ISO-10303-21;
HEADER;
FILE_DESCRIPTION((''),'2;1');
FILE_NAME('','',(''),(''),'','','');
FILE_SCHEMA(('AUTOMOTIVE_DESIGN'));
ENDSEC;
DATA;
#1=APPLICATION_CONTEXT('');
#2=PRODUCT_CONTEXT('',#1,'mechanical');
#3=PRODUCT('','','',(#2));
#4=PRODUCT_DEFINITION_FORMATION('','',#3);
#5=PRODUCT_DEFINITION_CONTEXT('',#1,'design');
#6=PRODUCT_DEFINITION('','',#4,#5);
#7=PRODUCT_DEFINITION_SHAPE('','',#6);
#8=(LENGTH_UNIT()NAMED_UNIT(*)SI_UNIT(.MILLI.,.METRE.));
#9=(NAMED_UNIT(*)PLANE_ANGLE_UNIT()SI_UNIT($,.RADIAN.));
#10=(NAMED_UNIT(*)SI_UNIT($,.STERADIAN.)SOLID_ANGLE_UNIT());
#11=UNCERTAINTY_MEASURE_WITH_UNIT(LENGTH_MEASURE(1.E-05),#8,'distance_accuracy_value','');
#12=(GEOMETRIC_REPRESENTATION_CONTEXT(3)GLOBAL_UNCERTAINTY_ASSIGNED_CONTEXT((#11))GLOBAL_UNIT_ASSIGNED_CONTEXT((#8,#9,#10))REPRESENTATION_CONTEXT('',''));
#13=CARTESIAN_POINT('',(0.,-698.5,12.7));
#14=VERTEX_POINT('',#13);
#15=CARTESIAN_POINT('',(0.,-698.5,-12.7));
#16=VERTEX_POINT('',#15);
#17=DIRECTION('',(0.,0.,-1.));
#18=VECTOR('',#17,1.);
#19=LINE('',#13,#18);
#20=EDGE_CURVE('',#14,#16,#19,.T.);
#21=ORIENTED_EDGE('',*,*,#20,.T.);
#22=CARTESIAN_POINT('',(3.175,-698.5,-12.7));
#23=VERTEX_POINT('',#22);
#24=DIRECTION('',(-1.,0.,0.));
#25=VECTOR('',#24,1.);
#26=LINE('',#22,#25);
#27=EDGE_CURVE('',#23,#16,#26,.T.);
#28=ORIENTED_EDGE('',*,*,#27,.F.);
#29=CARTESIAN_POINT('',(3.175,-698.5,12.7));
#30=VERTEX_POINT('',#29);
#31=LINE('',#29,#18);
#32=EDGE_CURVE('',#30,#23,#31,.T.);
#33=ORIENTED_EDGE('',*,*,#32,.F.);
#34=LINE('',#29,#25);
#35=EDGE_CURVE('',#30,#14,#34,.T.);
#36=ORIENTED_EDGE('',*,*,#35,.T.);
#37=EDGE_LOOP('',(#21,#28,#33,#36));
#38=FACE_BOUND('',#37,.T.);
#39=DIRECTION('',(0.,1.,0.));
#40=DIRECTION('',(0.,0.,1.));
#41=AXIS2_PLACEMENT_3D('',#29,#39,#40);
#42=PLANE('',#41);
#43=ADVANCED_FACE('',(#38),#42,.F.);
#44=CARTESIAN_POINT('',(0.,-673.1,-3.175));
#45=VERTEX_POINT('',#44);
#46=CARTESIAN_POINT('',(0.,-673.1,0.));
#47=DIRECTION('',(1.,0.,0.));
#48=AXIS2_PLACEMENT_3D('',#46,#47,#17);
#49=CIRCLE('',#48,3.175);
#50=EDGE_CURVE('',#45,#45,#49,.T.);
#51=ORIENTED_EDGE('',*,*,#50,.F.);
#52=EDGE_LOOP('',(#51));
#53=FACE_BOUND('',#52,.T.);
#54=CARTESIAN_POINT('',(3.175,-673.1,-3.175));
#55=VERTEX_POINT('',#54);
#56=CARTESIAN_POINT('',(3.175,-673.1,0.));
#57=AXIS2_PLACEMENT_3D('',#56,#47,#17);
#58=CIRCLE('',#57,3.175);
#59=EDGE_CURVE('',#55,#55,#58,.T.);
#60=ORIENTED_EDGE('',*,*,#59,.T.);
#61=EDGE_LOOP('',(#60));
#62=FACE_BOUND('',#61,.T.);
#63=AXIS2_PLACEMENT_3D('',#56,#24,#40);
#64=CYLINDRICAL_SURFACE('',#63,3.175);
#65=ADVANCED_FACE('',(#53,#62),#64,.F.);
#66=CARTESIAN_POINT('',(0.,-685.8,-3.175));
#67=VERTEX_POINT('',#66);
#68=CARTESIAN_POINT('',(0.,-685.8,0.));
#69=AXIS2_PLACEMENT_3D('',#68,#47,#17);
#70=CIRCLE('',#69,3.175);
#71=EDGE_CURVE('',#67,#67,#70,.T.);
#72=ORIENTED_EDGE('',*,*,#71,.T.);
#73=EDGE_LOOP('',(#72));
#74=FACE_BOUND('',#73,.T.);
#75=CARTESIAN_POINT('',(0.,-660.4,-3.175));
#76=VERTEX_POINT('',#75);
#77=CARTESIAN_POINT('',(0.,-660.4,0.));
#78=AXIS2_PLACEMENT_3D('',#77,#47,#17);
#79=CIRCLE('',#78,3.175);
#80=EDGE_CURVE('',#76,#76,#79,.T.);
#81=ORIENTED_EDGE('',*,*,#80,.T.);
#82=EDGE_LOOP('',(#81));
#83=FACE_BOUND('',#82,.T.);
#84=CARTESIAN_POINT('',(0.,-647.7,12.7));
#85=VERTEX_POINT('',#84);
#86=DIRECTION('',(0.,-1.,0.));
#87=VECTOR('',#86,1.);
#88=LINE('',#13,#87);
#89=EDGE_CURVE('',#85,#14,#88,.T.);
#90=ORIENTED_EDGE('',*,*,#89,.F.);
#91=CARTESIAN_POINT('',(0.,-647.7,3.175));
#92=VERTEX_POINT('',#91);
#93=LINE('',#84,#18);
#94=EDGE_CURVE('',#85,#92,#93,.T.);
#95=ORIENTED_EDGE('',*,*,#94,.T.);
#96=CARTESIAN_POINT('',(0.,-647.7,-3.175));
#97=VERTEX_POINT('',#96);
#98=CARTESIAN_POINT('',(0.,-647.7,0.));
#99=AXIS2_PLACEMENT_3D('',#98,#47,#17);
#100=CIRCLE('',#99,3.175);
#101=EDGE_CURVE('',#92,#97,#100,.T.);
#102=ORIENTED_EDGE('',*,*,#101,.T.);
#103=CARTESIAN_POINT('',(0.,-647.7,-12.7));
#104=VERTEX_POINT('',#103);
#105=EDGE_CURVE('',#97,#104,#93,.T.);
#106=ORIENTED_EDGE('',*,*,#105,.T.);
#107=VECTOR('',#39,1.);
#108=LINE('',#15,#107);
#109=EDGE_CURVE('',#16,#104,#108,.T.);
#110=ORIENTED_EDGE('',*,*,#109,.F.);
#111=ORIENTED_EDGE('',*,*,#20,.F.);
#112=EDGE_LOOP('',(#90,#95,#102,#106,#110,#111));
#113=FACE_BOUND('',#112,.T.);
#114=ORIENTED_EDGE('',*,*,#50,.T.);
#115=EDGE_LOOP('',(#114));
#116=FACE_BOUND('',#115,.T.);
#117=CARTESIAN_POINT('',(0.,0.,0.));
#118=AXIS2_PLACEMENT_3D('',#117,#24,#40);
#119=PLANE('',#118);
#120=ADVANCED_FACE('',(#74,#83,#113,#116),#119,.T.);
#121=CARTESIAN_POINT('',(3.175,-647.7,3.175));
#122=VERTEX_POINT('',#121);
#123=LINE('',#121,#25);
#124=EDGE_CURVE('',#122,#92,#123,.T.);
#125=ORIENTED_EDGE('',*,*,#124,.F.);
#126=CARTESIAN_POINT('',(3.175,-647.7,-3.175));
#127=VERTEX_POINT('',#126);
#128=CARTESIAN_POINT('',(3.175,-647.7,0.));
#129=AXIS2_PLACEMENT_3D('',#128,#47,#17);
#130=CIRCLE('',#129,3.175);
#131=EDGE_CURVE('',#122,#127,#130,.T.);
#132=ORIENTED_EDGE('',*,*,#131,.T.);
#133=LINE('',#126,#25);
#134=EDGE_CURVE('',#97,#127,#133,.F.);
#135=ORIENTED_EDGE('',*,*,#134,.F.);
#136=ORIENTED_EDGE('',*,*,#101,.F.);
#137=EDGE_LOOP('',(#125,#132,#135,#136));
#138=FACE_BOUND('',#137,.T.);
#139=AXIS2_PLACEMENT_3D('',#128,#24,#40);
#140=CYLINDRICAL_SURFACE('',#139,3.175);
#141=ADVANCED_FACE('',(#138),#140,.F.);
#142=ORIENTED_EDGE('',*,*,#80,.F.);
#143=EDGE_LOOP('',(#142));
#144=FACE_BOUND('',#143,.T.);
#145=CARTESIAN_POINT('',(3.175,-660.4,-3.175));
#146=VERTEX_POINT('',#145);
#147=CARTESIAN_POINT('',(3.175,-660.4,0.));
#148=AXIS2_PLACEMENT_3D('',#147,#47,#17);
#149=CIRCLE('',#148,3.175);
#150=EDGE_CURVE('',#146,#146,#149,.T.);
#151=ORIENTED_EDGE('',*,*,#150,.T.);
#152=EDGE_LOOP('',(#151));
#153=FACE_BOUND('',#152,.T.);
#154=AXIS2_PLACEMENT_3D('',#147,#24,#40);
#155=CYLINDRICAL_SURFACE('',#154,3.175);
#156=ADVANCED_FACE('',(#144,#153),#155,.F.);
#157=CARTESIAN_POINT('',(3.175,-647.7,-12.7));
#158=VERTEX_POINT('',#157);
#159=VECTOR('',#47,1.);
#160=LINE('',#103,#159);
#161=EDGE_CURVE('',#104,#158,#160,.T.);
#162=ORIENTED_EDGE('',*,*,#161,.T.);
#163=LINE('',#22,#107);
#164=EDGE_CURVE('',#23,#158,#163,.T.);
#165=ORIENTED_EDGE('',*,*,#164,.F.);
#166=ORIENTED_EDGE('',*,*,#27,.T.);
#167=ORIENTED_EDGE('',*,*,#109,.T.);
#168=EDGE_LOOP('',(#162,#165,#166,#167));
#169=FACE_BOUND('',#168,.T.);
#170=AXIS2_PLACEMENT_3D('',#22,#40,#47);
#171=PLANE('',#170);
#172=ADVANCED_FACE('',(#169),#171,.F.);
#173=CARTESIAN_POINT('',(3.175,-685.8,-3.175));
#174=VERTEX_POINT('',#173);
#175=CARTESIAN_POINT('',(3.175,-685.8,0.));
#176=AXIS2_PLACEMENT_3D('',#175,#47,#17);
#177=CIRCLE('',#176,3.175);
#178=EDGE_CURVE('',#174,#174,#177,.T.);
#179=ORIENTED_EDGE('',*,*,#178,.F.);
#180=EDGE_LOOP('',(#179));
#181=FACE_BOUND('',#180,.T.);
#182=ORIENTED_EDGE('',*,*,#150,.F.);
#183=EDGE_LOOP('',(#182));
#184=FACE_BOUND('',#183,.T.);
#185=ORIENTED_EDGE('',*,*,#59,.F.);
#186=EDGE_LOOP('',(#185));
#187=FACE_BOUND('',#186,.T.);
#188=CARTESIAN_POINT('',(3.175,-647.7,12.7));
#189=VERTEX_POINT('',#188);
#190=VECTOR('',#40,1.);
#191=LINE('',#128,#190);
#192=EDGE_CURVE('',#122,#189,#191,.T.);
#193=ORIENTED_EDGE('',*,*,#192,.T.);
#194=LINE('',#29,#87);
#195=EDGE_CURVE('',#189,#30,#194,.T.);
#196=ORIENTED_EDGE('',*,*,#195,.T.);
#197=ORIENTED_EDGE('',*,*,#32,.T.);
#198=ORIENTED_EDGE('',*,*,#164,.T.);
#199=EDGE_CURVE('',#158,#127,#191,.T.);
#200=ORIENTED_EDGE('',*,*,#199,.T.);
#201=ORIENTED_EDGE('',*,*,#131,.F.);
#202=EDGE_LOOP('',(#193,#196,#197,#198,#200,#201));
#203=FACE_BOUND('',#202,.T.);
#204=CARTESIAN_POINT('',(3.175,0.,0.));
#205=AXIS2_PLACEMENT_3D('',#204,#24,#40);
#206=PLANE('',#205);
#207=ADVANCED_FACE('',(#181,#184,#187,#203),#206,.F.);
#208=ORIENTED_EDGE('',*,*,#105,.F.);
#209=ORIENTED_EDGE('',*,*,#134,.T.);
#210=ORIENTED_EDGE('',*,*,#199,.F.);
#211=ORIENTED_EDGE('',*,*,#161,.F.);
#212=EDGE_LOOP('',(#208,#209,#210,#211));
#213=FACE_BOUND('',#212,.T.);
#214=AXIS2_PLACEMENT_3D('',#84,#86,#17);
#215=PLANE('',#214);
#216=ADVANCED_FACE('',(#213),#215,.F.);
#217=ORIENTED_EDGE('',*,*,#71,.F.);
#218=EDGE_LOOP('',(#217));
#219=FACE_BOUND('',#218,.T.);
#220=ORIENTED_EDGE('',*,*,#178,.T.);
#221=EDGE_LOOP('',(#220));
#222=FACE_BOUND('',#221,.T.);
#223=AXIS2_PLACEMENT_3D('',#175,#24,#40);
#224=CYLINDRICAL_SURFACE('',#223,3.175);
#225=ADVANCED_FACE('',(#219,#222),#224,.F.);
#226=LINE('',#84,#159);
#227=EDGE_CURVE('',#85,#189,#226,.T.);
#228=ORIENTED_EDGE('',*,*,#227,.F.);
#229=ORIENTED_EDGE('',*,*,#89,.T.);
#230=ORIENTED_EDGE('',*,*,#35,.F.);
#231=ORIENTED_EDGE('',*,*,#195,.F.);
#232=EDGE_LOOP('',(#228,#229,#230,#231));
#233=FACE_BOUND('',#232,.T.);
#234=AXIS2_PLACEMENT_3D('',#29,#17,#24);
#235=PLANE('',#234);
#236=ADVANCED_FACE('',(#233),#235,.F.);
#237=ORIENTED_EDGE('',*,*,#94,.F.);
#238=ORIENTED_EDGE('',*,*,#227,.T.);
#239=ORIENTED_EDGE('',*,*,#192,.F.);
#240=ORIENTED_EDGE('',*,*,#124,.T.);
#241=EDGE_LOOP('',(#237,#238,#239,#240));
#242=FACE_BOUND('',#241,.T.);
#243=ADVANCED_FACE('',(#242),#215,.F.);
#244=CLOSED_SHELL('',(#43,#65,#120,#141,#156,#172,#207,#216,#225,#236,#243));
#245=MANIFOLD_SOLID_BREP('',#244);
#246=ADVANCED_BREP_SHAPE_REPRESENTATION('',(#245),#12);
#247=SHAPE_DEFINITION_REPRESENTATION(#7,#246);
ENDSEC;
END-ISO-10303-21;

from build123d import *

# Parameters (mm, degrees)
SKETCH1_W               = 25.4
SKETCH1_H               = 1397
SKETCH1_R               = 3.175
BOSS_EXTRUDE1_DEPTH     = 3.175
CUT_EXTRUDE1_DEPTH      = 699.622659685
CUT_EXTRUDE1_DEPTH_BACK = 699.622659685
SKETCH2_W               = 25.4
SKETCH2_H               = 1346.2


with BuildPart() as part:
    # Sketch1 → Boss-Extrude1 (new body)
    with BuildSketch(Plane(origin=(0, 0, 0), x_dir=(0, 0, -1), z_dir=(1, 0, 0))):
        Rectangle(SKETCH1_W, SKETCH1_H)
        with Locations((0, -685.8)):
            Circle(SKETCH1_R, mode=Mode.SUBTRACT)
        with Locations((0, -673.1)):
            Circle(SKETCH1_R, mode=Mode.SUBTRACT)
        with Locations((0, -660.4)):
            Circle(SKETCH1_R, mode=Mode.SUBTRACT)
        with Locations((0, -647.7)):
            Circle(SKETCH1_R, mode=Mode.SUBTRACT)
        with Locations((0, -635)):
            Circle(SKETCH1_R, mode=Mode.SUBTRACT)
        with Locations((0, -622.3)):
            Circle(SKETCH1_R, mode=Mode.SUBTRACT)
        with Locations((0, -609.6)):
            Circle(SKETCH1_R, mode=Mode.SUBTRACT)
        with Locations((0, -596.9)):
            Circle(SKETCH1_R, mode=Mode.SUBTRACT)
        with Locations((0, -584.2)):
            Circle(SKETCH1_R, mode=Mode.SUBTRACT)
        with Locations((0, -571.5)):
            Circle(SKETCH1_R, mode=Mode.SUBTRACT)
        with Locations((0, -558.8)):
            Circle(SKETCH1_R, mode=Mode.SUBTRACT)
        with Locations((0, -546.1)):
            Circle(SKETCH1_R, mode=Mode.SUBTRACT)
        with Locations((0, -533.4)):
            Circle(SKETCH1_R, mode=Mode.SUBTRACT)
        with Locations((0, -520.7)):
            Circle(SKETCH1_R, mode=Mode.SUBTRACT)
        with Locations((0, -508)):
            Circle(SKETCH1_R, mode=Mode.SUBTRACT)
        with Locations((0, -495.3)):
            Circle(SKETCH1_R, mode=Mode.SUBTRACT)
        with Locations((0, -482.6)):
            Circle(SKETCH1_R, mode=Mode.SUBTRACT)
        with Locations((0, -469.9)):
            Circle(SKETCH1_R, mode=Mode.SUBTRACT)
        with Locations((0, -457.2)):
            Circle(SKETCH1_R, mode=Mode.SUBTRACT)
        with Locations((0, -444.5)):
            Circle(SKETCH1_R, mode=Mode.SUBTRACT)
        with Locations((0, -431.8)):
            Circle(SKETCH1_R, mode=Mode.SUBTRACT)
        with Locations((0, -419.1)):
            Circle(SKETCH1_R, mode=Mode.SUBTRACT)
        with Locations((0, -406.4)):
            Circle(SKETCH1_R, mode=Mode.SUBTRACT)
        with Locations((0, -393.7)):
            Circle(SKETCH1_R, mode=Mode.SUBTRACT)
        with Locations((0, -381)):
            Circle(SKETCH1_R, mode=Mode.SUBTRACT)
        with Locations((0, -368.3)):
            Circle(SKETCH1_R, mode=Mode.SUBTRACT)
        with Locations((0, -355.6)):
            Circle(SKETCH1_R, mode=Mode.SUBTRACT)
        with Locations((0, -342.9)):
            Circle(SKETCH1_R, mode=Mode.SUBTRACT)
        with Locations((0, -330.2)):
            Circle(SKETCH1_R, mode=Mode.SUBTRACT)
        with Locations((0, -317.5)):
            Circle(SKETCH1_R, mode=Mode.SUBTRACT)
        with Locations((0, -304.8)):
            Circle(SKETCH1_R, mode=Mode.SUBTRACT)
        with Locations((0, -292.1)):
            Circle(SKETCH1_R, mode=Mode.SUBTRACT)
        with Locations((0, -279.4)):
            Circle(SKETCH1_R, mode=Mode.SUBTRACT)
        with Locations((0, -266.7)):
            Circle(SKETCH1_R, mode=Mode.SUBTRACT)
        with Locations((0, -254)):
            Circle(SKETCH1_R, mode=Mode.SUBTRACT)
        with Locations((0, -241.3)):
            Circle(SKETCH1_R, mode=Mode.SUBTRACT)
        with Locations((0, -228.6)):
            Circle(SKETCH1_R, mode=Mode.SUBTRACT)
        with Locations((0, -215.9)):
            Circle(SKETCH1_R, mode=Mode.SUBTRACT)
        with Locations((0, -203.2)):
            Circle(SKETCH1_R, mode=Mode.SUBTRACT)
        with Locations((0, -190.5)):
            Circle(SKETCH1_R, mode=Mode.SUBTRACT)
        with Locations((0, -177.8)):
            Circle(SKETCH1_R, mode=Mode.SUBTRACT)
        with Locations((0, -165.1)):
            Circle(SKETCH1_R, mode=Mode.SUBTRACT)
        with Locations((0, -152.4)):
            Circle(SKETCH1_R, mode=Mode.SUBTRACT)
        with Locations((0, -139.7)):
            Circle(SKETCH1_R, mode=Mode.SUBTRACT)
        with Locations((0, -127)):
            Circle(SKETCH1_R, mode=Mode.SUBTRACT)
        with Locations((0, -114.3)):
            Circle(SKETCH1_R, mode=Mode.SUBTRACT)
        with Locations((0, -101.6)):
            Circle(SKETCH1_R, mode=Mode.SUBTRACT)
        with Locations((0, -88.9)):
            Circle(SKETCH1_R, mode=Mode.SUBTRACT)
        with Locations((0, -76.2)):
            Circle(SKETCH1_R, mode=Mode.SUBTRACT)
        with Locations((0, -63.5)):
            Circle(SKETCH1_R, mode=Mode.SUBTRACT)
        with Locations((0, -50.8)):
            Circle(SKETCH1_R, mode=Mode.SUBTRACT)
        with Locations((0, -38.1)):
            Circle(SKETCH1_R, mode=Mode.SUBTRACT)
        with Locations((0, -25.4)):
            Circle(SKETCH1_R, mode=Mode.SUBTRACT)
        with Locations((0, -12.7)):
            Circle(SKETCH1_R, mode=Mode.SUBTRACT)
        Circle(SKETCH1_R, mode=Mode.SUBTRACT)
        with Locations((0, 12.7)):
            Circle(SKETCH1_R, mode=Mode.SUBTRACT)
        with Locations((0, 25.4)):
            Circle(SKETCH1_R, mode=Mode.SUBTRACT)
        with Locations((0, 38.1)):
            Circle(SKETCH1_R, mode=Mode.SUBTRACT)
        with Locations((0, 50.8)):
            Circle(SKETCH1_R, mode=Mode.SUBTRACT)
        with Locations((0, 63.5)):
            Circle(SKETCH1_R, mode=Mode.SUBTRACT)
        with Locations((0, 76.2)):
            Circle(SKETCH1_R, mode=Mode.SUBTRACT)
        with Locations((0, 88.9)):
            Circle(SKETCH1_R, mode=Mode.SUBTRACT)
        with Locations((0, 101.6)):
            Circle(SKETCH1_R, mode=Mode.SUBTRACT)
        with Locations((0, 114.3)):
            Circle(SKETCH1_R, mode=Mode.SUBTRACT)
        with Locations((0, 127)):
            Circle(SKETCH1_R, mode=Mode.SUBTRACT)
        with Locations((0, 139.7)):
            Circle(SKETCH1_R, mode=Mode.SUBTRACT)
        with Locations((0, 152.4)):
            Circle(SKETCH1_R, mode=Mode.SUBTRACT)
        with Locations((0, 165.1)):
            Circle(SKETCH1_R, mode=Mode.SUBTRACT)
        with Locations((0, 177.8)):
            Circle(SKETCH1_R, mode=Mode.SUBTRACT)
        with Locations((0, 190.5)):
            Circle(SKETCH1_R, mode=Mode.SUBTRACT)
        with Locations((0, 203.2)):
            Circle(SKETCH1_R, mode=Mode.SUBTRACT)
        with Locations((0, 215.9)):
            Circle(SKETCH1_R, mode=Mode.SUBTRACT)
        with Locations((0, 228.6)):
            Circle(SKETCH1_R, mode=Mode.SUBTRACT)
        with Locations((0, 241.3)):
            Circle(SKETCH1_R, mode=Mode.SUBTRACT)
        with Locations((0, 254)):
            Circle(SKETCH1_R, mode=Mode.SUBTRACT)
        with Locations((0, 266.7)):
            Circle(SKETCH1_R, mode=Mode.SUBTRACT)
        with Locations((0, 279.4)):
            Circle(SKETCH1_R, mode=Mode.SUBTRACT)
        with Locations((0, 292.1)):
            Circle(SKETCH1_R, mode=Mode.SUBTRACT)
        with Locations((0, 304.8)):
            Circle(SKETCH1_R, mode=Mode.SUBTRACT)
        with Locations((0, 317.5)):
            Circle(SKETCH1_R, mode=Mode.SUBTRACT)
        with Locations((0, 330.2)):
            Circle(SKETCH1_R, mode=Mode.SUBTRACT)
        with Locations((0, 342.9)):
            Circle(SKETCH1_R, mode=Mode.SUBTRACT)
        with Locations((0, 355.6)):
            Circle(SKETCH1_R, mode=Mode.SUBTRACT)
        with Locations((0, 368.3)):
            Circle(SKETCH1_R, mode=Mode.SUBTRACT)
        with Locations((0, 381)):
            Circle(SKETCH1_R, mode=Mode.SUBTRACT)
        with Locations((0, 393.7)):
            Circle(SKETCH1_R, mode=Mode.SUBTRACT)
        with Locations((0, 406.4)):
            Circle(SKETCH1_R, mode=Mode.SUBTRACT)
        with Locations((0, 419.1)):
            Circle(SKETCH1_R, mode=Mode.SUBTRACT)
        with Locations((0, 431.8)):
            Circle(SKETCH1_R, mode=Mode.SUBTRACT)
        with Locations((0, 444.5)):
            Circle(SKETCH1_R, mode=Mode.SUBTRACT)
        with Locations((0, 457.2)):
            Circle(SKETCH1_R, mode=Mode.SUBTRACT)
        with Locations((0, 469.9)):
            Circle(SKETCH1_R, mode=Mode.SUBTRACT)
        with Locations((0, 482.6)):
            Circle(SKETCH1_R, mode=Mode.SUBTRACT)
        with Locations((0, 495.3)):
            Circle(SKETCH1_R, mode=Mode.SUBTRACT)
        with Locations((0, 508)):
            Circle(SKETCH1_R, mode=Mode.SUBTRACT)
        with Locations((0, 520.7)):
            Circle(SKETCH1_R, mode=Mode.SUBTRACT)
        with Locations((0, 533.4)):
            Circle(SKETCH1_R, mode=Mode.SUBTRACT)
        with Locations((0, 546.1)):
            Circle(SKETCH1_R, mode=Mode.SUBTRACT)
        with Locations((0, 558.8)):
            Circle(SKETCH1_R, mode=Mode.SUBTRACT)
        with Locations((0, 571.5)):
            Circle(SKETCH1_R, mode=Mode.SUBTRACT)
        with Locations((0, 584.2)):
            Circle(SKETCH1_R, mode=Mode.SUBTRACT)
        with Locations((0, 596.9)):
            Circle(SKETCH1_R, mode=Mode.SUBTRACT)
        with Locations((0, 609.6)):
            Circle(SKETCH1_R, mode=Mode.SUBTRACT)
        with Locations((0, 622.3)):
            Circle(SKETCH1_R, mode=Mode.SUBTRACT)
        with Locations((0, 635)):
            Circle(SKETCH1_R, mode=Mode.SUBTRACT)
        with Locations((0, 647.7)):
            Circle(SKETCH1_R, mode=Mode.SUBTRACT)
        with Locations((0, 660.4)):
            Circle(SKETCH1_R, mode=Mode.SUBTRACT)
        with Locations((0, 673.1)):
            Circle(SKETCH1_R, mode=Mode.SUBTRACT)
        with Locations((0, 685.8)):
            Circle(SKETCH1_R, mode=Mode.SUBTRACT)
    extrude(amount=BOSS_EXTRUDE1_DEPTH)

    # Sketch2 → Cut-Extrude1 (cut, two sides: drawn at the far end of the back side and taken through both)
    with BuildSketch(Plane(origin=(3.175, 0, 0), x_dir=(0, 0, -1), z_dir=(1, 0, 0)).offset(-CUT_EXTRUDE1_DEPTH_BACK)):
        with Locations((0, 25.4)):
            Rectangle(SKETCH2_W, SKETCH2_H)
    extrude(amount=CUT_EXTRUDE1_DEPTH + CUT_EXTRUDE1_DEPTH_BACK, mode=Mode.SUBTRACT)


solid = part.part
